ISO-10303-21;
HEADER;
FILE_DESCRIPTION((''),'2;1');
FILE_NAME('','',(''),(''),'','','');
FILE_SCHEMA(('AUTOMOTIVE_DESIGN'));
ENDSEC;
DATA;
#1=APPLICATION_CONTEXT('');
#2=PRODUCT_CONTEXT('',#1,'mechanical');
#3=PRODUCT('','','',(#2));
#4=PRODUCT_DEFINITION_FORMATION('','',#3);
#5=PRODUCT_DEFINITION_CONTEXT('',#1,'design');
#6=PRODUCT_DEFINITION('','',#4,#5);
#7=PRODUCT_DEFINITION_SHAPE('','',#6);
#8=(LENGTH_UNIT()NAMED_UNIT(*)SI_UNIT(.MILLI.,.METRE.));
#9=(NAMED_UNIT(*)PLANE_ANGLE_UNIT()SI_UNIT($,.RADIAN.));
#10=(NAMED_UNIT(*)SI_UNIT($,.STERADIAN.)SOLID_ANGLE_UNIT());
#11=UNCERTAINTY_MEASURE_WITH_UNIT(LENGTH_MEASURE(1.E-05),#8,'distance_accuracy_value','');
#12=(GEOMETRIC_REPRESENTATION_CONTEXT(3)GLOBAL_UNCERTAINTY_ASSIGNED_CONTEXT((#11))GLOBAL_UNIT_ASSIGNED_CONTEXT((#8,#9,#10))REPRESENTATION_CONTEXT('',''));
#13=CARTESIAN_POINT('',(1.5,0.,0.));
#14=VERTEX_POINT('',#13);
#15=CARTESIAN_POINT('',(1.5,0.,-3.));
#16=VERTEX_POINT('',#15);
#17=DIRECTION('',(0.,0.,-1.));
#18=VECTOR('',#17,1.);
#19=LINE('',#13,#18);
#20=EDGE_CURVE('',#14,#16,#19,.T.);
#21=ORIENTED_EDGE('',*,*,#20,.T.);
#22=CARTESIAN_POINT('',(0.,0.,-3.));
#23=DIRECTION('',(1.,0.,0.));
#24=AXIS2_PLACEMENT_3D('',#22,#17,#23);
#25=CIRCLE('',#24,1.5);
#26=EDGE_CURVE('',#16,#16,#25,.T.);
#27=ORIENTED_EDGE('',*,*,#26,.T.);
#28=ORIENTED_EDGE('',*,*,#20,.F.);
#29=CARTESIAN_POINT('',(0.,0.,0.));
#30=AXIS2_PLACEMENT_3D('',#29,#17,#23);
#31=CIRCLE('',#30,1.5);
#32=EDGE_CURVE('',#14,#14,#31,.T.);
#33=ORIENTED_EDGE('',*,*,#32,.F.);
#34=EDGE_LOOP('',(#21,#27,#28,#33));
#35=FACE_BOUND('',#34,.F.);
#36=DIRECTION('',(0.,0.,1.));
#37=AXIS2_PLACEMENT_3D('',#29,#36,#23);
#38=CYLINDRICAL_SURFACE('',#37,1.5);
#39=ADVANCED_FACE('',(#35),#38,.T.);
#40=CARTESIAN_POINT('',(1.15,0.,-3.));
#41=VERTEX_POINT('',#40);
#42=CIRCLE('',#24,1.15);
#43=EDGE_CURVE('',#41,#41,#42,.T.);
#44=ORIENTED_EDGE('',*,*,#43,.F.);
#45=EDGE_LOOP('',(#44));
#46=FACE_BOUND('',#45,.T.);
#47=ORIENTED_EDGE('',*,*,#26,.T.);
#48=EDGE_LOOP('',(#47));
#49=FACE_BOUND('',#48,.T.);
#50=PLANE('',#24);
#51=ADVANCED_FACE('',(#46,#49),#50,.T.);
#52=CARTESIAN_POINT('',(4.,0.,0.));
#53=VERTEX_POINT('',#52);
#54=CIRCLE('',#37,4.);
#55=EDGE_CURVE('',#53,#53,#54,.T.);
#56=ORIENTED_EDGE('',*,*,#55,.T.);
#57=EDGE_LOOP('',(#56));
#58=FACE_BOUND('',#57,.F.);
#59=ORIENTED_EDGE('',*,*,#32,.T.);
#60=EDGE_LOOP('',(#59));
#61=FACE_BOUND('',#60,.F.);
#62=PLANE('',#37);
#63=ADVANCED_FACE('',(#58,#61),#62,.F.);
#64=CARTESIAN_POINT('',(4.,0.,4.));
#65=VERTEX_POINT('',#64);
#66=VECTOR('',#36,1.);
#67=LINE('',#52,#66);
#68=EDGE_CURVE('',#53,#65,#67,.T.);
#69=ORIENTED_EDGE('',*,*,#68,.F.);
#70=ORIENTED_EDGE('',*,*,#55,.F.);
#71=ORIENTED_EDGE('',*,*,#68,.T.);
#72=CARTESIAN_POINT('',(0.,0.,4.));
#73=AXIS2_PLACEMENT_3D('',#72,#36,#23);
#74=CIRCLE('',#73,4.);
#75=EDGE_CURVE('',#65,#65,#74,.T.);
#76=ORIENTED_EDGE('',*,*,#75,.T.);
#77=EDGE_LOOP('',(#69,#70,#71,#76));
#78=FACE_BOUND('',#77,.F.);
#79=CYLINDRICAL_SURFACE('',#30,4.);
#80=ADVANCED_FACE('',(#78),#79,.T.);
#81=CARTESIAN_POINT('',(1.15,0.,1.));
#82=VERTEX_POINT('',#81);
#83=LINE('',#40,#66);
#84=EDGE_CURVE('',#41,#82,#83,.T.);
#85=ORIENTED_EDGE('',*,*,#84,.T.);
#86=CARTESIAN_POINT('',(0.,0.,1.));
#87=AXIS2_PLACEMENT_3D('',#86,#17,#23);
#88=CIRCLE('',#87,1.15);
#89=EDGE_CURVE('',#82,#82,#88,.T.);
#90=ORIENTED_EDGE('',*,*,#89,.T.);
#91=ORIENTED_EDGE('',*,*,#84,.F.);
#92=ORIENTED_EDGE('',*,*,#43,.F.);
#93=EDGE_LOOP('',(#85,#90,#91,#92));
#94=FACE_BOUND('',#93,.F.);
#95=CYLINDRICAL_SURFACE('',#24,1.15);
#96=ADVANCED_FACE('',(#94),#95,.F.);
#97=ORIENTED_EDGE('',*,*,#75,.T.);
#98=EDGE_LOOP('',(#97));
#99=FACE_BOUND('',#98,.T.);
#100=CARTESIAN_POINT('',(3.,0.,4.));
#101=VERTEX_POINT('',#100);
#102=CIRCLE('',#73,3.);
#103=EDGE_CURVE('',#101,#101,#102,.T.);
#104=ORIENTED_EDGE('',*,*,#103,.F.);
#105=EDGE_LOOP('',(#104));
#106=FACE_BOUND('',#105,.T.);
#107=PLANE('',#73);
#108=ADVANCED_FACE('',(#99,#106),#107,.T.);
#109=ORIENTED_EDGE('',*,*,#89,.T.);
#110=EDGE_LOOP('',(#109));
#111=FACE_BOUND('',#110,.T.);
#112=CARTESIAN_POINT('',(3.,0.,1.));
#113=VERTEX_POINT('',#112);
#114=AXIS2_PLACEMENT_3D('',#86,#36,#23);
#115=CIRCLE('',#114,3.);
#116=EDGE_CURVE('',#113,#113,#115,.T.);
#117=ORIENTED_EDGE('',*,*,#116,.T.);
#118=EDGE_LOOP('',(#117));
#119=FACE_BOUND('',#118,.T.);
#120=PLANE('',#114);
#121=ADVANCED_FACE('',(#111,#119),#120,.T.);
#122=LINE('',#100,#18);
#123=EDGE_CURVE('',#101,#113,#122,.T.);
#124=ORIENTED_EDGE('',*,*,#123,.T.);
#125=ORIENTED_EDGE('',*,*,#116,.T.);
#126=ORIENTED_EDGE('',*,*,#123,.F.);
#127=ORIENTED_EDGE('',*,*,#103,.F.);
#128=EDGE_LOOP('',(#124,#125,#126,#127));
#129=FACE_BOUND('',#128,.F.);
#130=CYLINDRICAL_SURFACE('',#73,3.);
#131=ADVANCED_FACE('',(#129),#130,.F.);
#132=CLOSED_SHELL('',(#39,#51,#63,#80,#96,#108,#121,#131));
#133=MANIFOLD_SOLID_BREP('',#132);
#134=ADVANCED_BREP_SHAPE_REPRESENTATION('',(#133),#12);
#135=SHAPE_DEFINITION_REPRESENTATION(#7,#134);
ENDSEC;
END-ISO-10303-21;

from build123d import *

# Parameters (mm, degrees)
F0_R     = 4
F1_DEPTH = 4
F2_R     = 1.5
F3_DEPTH = 3
F4_R     = 3
F5_DEPTH = 3
F6_R     = 1.15
F7_DEPTH = 25


with BuildPart() as f1:
    # F0 (on Top) → F1 (new body)
    with BuildSketch(Plane.XY):
        Circle(F0_R)
    extrude(amount=F1_DEPTH)

    # F2 (on face) → F3 (join)
    with BuildSketch(Plane(origin=(0, 0, 0), x_dir=(1, 0, 0), z_dir=(0, 0, -1))):
        Circle(F2_R)
    extrude(amount=F3_DEPTH)

    # F4 (on face) → F5 (cut)
    with BuildSketch(Plane.XY.offset(4)):
        Circle(F4_R)
    extrude(amount=-F5_DEPTH, mode=Mode.SUBTRACT)

    # F6 (on face) → F7 (cut)
    with BuildSketch(Plane(origin=(0, 0, -3), x_dir=(1, 0, 0), z_dir=(0, 0, -1))):
        Circle(F6_R)
    extrude(amount=-F7_DEPTH, mode=Mode.SUBTRACT)


solid = f1.part
